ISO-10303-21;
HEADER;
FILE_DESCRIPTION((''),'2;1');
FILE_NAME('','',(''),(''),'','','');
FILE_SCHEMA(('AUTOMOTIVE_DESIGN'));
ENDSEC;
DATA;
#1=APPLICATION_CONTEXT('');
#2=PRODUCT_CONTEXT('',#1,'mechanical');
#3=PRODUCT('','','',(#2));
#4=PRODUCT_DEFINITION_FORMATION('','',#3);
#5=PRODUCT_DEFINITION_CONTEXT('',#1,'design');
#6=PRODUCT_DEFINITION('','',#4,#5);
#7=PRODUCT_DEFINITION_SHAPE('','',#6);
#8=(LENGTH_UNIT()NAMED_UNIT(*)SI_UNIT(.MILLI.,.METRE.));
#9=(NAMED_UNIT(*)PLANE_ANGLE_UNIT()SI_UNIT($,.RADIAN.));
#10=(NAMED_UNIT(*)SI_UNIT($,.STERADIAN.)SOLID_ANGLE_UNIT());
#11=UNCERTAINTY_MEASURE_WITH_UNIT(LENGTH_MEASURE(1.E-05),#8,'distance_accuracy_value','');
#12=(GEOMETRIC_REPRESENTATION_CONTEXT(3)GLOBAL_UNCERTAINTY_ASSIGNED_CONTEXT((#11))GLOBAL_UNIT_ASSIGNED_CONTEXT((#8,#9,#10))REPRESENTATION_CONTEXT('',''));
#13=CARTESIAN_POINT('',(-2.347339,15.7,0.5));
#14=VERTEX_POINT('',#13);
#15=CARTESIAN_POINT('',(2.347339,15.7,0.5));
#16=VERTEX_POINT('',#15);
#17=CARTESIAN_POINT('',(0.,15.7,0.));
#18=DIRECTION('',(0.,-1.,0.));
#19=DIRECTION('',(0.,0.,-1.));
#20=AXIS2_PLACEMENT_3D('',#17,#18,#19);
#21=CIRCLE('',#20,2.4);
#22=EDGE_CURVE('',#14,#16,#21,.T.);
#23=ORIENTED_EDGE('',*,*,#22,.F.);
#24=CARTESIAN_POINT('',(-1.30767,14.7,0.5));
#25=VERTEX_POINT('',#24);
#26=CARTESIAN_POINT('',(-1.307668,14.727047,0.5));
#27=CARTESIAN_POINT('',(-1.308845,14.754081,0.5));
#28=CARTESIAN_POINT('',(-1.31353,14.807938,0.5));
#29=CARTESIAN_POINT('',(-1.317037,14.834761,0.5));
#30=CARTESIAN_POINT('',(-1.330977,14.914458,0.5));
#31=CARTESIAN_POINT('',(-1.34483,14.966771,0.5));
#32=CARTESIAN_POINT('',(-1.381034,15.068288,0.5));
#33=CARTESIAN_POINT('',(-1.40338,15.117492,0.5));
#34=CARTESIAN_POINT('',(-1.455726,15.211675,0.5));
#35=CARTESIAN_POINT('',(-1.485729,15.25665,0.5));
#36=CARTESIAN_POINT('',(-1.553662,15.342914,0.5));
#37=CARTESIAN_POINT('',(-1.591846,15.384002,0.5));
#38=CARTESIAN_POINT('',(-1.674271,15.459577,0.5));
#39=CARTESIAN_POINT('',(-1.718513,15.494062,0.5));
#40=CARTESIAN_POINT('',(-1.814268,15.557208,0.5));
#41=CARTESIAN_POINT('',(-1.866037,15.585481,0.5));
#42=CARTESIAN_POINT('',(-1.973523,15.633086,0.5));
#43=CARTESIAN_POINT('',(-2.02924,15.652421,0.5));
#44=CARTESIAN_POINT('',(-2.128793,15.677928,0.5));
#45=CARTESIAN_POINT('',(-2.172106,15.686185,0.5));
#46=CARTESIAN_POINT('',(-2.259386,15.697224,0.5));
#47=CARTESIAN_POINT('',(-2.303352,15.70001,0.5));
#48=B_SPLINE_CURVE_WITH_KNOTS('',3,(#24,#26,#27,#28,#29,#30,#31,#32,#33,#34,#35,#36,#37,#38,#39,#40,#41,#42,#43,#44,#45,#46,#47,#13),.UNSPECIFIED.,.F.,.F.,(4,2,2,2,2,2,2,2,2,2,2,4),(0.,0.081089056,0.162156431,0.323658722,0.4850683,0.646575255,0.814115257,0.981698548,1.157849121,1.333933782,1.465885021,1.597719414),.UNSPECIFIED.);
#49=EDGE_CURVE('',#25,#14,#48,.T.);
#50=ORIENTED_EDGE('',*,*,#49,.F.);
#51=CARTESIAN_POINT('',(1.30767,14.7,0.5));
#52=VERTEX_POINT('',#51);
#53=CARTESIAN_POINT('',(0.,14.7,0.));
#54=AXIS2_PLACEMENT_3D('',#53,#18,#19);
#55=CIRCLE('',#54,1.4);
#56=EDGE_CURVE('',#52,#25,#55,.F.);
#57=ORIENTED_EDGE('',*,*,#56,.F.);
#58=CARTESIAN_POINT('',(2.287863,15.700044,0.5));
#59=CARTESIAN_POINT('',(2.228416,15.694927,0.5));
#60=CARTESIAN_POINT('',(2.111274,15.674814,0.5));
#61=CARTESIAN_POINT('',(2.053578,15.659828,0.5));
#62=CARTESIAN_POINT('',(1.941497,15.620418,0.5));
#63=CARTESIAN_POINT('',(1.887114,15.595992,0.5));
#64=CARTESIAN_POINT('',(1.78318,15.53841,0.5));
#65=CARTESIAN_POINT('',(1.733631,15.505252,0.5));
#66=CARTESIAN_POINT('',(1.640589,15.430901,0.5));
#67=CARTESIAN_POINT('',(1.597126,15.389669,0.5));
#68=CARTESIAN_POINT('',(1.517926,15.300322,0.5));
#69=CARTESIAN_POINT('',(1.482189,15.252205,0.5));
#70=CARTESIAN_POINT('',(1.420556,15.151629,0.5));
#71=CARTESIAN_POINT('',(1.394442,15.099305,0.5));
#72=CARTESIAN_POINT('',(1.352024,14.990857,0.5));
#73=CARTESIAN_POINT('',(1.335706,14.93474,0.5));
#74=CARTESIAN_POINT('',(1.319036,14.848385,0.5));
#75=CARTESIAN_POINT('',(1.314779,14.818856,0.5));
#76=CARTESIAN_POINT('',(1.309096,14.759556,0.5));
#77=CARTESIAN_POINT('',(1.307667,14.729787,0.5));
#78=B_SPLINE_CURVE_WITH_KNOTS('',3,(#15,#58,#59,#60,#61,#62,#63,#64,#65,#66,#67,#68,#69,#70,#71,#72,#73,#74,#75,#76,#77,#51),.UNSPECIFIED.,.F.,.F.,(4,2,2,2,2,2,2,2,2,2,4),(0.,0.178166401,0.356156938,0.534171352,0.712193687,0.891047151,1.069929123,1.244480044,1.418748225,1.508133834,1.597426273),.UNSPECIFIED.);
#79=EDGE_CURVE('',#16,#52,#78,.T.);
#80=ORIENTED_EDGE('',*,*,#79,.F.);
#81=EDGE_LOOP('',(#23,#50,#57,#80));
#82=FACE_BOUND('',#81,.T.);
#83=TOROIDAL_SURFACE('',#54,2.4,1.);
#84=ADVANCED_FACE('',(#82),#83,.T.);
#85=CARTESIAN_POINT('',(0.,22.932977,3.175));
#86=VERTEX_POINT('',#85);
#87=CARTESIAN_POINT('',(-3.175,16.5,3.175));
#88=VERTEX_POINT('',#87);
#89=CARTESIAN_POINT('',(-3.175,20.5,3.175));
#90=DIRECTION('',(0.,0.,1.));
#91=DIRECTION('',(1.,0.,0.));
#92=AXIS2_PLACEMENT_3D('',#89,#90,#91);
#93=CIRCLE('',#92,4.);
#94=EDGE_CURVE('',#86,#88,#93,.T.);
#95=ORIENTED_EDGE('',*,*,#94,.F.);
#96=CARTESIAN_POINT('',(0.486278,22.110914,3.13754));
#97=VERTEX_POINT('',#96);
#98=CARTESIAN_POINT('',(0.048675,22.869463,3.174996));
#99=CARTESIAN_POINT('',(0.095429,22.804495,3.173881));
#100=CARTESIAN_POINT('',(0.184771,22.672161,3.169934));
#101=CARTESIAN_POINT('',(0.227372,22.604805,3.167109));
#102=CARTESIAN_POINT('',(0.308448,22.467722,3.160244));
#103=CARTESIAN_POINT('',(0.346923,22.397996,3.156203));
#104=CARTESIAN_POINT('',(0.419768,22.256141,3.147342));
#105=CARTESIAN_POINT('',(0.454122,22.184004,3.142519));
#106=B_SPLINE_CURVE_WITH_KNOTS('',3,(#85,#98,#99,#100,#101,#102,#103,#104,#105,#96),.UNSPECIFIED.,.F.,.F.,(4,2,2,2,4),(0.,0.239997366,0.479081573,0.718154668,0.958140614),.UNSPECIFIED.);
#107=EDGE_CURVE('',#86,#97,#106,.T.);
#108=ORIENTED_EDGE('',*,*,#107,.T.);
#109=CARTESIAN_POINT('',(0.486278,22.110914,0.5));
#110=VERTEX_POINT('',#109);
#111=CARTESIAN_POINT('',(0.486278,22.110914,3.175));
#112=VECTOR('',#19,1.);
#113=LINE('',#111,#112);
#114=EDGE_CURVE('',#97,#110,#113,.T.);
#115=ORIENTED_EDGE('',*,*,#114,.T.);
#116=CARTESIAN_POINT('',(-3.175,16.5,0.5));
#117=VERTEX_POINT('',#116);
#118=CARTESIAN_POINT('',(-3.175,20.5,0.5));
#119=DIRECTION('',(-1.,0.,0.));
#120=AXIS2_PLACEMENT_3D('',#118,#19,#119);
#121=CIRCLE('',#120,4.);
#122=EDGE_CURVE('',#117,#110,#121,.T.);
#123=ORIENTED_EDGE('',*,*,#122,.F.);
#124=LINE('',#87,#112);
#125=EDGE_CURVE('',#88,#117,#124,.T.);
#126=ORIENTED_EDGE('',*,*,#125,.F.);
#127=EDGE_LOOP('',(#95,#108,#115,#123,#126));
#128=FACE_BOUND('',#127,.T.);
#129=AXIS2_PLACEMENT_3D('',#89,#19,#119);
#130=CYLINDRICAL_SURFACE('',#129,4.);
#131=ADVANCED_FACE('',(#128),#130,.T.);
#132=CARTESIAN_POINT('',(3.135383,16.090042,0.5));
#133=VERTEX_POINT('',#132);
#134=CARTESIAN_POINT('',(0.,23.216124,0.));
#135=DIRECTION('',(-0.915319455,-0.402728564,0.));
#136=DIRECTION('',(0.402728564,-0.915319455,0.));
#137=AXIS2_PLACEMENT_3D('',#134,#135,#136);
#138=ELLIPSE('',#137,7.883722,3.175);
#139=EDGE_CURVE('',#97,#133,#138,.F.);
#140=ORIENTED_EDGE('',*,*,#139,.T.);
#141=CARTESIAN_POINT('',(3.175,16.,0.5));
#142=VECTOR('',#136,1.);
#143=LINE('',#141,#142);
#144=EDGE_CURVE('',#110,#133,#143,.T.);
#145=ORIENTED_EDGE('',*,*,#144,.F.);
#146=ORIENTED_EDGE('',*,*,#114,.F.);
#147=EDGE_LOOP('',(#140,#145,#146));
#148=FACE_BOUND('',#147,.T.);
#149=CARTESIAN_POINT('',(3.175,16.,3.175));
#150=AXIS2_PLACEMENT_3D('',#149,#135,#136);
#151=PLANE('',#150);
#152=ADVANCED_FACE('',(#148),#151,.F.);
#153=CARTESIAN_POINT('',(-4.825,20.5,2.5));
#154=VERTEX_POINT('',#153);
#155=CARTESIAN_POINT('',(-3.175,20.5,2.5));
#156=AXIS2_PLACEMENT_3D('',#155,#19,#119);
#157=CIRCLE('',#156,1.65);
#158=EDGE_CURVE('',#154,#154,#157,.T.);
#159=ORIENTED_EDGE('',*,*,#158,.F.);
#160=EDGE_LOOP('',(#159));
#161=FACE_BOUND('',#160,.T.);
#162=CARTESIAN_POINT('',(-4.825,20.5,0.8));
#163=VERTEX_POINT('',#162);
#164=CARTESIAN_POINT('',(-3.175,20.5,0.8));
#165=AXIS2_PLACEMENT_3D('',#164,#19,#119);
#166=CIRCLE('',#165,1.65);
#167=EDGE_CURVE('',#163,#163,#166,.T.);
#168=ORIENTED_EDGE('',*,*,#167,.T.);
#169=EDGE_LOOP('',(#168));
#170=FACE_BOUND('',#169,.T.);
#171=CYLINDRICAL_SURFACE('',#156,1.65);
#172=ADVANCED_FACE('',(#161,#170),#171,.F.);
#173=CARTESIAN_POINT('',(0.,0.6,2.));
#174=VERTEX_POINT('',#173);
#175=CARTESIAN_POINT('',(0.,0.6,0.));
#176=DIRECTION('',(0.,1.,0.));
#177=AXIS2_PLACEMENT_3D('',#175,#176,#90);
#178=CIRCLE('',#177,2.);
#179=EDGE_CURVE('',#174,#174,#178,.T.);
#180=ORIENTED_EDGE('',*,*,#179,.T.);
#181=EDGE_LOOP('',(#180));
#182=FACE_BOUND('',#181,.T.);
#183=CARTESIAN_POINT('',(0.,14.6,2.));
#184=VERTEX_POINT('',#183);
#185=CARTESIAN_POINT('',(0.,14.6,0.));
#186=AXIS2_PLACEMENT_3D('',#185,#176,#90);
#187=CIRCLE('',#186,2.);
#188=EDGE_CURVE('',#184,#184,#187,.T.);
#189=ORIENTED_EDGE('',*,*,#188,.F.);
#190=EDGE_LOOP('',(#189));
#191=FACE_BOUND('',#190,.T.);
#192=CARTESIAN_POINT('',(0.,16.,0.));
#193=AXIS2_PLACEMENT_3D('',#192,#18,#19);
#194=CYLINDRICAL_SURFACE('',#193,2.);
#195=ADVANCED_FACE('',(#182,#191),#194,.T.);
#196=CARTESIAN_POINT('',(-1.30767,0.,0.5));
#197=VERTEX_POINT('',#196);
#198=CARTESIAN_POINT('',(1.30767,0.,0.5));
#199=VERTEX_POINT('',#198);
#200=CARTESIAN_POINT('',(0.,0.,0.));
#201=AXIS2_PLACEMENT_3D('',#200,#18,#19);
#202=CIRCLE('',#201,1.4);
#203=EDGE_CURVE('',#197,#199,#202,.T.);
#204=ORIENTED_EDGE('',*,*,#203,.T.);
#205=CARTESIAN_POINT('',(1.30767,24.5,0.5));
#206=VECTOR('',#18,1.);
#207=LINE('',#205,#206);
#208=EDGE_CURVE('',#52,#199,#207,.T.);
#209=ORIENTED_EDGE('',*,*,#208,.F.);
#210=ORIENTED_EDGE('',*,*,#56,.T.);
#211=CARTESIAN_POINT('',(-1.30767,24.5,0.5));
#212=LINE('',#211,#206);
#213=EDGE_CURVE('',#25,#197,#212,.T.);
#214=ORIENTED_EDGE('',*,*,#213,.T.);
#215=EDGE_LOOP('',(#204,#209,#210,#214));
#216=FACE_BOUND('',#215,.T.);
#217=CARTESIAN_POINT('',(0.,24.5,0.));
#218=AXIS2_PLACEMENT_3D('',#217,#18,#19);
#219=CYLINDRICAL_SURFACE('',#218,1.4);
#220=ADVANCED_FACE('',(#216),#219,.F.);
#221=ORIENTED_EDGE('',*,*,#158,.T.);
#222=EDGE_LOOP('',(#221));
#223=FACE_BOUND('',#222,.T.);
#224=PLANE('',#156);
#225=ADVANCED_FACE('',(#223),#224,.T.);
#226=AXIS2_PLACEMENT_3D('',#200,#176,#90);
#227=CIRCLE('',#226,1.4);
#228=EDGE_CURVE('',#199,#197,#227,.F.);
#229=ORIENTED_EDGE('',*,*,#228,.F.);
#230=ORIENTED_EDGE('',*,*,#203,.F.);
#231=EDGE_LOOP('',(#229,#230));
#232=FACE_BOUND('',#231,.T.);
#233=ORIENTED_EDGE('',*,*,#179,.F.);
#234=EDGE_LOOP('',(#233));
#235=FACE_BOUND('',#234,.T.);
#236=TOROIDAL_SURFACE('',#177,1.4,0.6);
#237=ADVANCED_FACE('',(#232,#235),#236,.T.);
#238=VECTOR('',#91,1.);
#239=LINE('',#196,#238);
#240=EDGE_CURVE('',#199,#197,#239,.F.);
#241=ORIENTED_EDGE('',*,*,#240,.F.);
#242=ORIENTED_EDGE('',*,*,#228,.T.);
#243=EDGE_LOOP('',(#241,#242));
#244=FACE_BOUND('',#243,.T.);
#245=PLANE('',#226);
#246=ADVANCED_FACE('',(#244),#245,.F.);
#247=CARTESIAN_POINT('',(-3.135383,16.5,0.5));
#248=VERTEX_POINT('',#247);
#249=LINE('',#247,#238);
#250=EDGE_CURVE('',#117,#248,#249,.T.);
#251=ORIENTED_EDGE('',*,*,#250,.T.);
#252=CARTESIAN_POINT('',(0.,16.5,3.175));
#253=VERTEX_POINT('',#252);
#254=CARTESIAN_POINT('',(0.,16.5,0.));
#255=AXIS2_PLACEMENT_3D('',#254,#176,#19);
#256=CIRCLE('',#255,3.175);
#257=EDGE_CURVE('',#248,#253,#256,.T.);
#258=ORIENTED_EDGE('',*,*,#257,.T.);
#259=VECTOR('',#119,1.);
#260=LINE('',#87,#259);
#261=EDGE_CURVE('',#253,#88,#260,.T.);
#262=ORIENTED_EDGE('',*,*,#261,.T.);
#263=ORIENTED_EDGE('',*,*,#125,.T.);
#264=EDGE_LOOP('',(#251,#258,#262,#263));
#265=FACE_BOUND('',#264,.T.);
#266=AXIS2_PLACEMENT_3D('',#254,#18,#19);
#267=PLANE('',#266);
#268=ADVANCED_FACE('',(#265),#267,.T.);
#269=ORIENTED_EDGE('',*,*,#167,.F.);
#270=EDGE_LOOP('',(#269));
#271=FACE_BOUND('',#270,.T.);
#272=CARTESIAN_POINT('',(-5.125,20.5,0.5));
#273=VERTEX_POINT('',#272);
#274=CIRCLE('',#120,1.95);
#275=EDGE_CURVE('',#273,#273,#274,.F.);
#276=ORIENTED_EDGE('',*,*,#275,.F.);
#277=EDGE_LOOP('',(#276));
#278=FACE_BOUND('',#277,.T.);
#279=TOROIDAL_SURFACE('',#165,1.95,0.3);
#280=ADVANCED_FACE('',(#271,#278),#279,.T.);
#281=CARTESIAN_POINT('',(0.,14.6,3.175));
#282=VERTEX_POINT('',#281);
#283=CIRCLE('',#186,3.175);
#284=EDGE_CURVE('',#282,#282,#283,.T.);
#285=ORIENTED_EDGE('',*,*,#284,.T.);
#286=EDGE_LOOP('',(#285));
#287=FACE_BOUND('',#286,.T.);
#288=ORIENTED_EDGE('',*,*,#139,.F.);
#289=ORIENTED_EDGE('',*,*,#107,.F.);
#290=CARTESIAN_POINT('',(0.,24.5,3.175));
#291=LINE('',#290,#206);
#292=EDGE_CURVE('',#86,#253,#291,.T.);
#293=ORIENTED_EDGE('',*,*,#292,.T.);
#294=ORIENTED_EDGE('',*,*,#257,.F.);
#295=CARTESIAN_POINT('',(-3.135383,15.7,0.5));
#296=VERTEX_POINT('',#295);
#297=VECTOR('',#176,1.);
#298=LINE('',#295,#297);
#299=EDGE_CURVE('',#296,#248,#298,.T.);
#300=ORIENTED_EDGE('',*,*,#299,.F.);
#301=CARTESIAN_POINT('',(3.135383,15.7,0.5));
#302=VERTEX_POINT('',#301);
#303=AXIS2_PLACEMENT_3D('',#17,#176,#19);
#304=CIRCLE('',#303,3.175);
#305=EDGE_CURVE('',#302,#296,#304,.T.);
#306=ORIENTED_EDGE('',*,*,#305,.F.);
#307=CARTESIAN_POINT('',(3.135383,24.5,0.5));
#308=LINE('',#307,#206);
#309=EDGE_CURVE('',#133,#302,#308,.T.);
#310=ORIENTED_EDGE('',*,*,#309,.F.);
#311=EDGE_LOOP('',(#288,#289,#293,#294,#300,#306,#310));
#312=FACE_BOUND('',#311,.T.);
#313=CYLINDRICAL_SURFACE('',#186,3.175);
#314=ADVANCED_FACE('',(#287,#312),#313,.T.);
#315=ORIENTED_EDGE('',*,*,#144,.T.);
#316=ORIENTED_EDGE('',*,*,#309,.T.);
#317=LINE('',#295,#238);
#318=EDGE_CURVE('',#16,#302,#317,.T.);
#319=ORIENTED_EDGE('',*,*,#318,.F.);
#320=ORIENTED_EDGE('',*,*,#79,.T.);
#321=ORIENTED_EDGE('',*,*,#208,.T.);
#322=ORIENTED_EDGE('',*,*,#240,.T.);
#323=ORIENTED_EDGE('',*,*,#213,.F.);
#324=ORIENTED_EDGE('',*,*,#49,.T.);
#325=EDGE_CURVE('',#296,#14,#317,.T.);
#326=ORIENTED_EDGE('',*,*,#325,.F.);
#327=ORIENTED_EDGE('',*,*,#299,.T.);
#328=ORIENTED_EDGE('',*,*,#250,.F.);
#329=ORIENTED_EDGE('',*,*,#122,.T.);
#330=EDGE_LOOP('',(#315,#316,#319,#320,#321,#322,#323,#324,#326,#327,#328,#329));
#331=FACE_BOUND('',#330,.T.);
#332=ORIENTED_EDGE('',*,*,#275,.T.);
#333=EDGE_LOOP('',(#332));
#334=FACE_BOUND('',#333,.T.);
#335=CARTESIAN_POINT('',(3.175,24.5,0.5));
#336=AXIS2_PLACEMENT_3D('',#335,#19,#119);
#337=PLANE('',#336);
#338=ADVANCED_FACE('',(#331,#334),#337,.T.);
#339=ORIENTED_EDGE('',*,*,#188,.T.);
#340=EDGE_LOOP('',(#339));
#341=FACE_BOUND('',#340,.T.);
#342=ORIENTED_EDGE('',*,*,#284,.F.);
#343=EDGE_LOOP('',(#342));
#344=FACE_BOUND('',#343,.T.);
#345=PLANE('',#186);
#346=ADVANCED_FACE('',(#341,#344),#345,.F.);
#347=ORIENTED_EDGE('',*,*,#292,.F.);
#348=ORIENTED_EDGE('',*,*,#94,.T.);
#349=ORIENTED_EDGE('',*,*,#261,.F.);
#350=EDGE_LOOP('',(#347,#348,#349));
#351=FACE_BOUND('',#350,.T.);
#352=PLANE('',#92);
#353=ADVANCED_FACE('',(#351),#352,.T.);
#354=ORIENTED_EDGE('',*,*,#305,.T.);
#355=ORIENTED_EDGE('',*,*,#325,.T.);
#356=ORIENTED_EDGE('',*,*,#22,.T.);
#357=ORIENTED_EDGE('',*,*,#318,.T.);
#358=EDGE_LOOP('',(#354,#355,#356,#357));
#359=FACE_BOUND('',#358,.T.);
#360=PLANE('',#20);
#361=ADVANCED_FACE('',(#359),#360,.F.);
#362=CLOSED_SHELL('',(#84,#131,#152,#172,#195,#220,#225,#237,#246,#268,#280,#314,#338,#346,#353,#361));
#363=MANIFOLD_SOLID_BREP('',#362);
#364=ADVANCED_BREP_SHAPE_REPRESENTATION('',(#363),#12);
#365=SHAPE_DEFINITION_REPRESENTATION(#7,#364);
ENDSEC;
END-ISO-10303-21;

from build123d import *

# Parameters (mm, degrees)
SKETCH_1_R               = 2
EXTRUDE_1_DEPTH          = 16
EXTRUDE_2_DEPTH          = 3.175
SKETCH_4_R               = 1.65
CUT_EXTRUDE_6_DEPTH      = 2.5
SKETCH_5_W               = 10.65
SKETCH_5_H               = 0.5
CUT_EXTRUDE_8_DEPTH      = 9.5
FILLET_3_R               = 0.6
SKETCH_7_R               = 3.175
EXTRUDE_3_DEPTH          = 1.4
FILLET_5_R               = 0.3
CUT_EXTRUDE_9_DEPTH      = 1
CUT_EXTRUDE_9_DEPTH_BACK = 25.5
CUT_EXTRUDE_10_DEPTH     = 9.5
CUT_EXTRUDE_11_DEPTH     = 0.3
FILLET_6_R               = 1
CUT_EXTRUDE_12_DEPTH     = 0.5


with BuildPart() as part:
    # 草图1 → 凸台-拉伸1 (new body)
    with BuildSketch(Plane(origin=(0, 0, 0), x_dir=(1, 0, 0), z_dir=(0, 1, 0))):
        Circle(SKETCH_1_R)
    extrude(amount=EXTRUDE_1_DEPTH)

    # 草图2 → 凸台-拉伸2 (add)
    with BuildSketch(Plane.XY):
        with BuildLine():
            Line((3.175, 16), (0.486277818, 22.110914255))
            ThreePointArc((0.486277818, 22.110914255), (-6.524899776, 22.6859029), (-3.175, 16.5))
            Line((-3.175, 16.5), (-3.175, 16))
            Line((-3.175, 16), (3.175, 16))
        make_face()
    extrude(amount=EXTRUDE_2_DEPTH)

    # 草图4 → 切除-拉伸6 (cut)
    with BuildSketch(Plane(origin=(0, 0, 0), x_dir=(-1, 0, 0), z_dir=(0, 0, -1))):
        with Locations((3.175, 20.5)):
            Circle(SKETCH_4_R)
    extrude(amount=-CUT_EXTRUDE_6_DEPTH, mode=Mode.SUBTRACT)

    # 草图5 → 切除-拉伸8 (cut, through all)
    with BuildSketch(Plane(origin=(0, 16, 0), x_dir=(1, 0, 0), z_dir=(0, 1, 0))):
        with Locations((-2.15, -0.25)):
            Rectangle(SKETCH_5_W, SKETCH_5_H)
    extrude(amount=CUT_EXTRUDE_8_DEPTH, mode=Mode.SUBTRACT)

    # 圆角3
    fillet_3_edges = [part.edges().sort_by_distance(p)[0] for p in [
        (-2, 0, 0),
    ]]
    fillet(fillet_3_edges, radius=FILLET_3_R)

    # 草图7 → 凸台-拉伸3 (add)
    with BuildSketch(Plane(origin=(0, 16, 0), x_dir=(1, 0, 0), z_dir=(0, 1, 0))):
        Circle(SKETCH_7_R)
    extrude(amount=-EXTRUDE_3_DEPTH)

    # 圆角5
    fillet_5_edges = [part.edges().sort_by_distance(p)[0] for p in [
        (-1.525, 20.5, 0.5),
    ]]
    fillet(fillet_5_edges, radius=FILLET_5_R)

    # 草图10 → 切除-拉伸9 (cut, two sides)
    with BuildSketch(Plane.XZ) as cut_extrude_9_sk:
        with BuildLine():
            Line((-1.307669683, 0.5), (1.307669683, 0.5))
            ThreePointArc((1.307669683, 0.5), (0, -1.4), (-1.307669683, 0.5))
        make_face()
    extrude(amount=CUT_EXTRUDE_9_DEPTH, mode=Mode.SUBTRACT)
    extrude(cut_extrude_9_sk.sketch, amount=-CUT_EXTRUDE_9_DEPTH_BACK, mode=Mode.SUBTRACT)

    # 草图11 → 切除-拉伸10 (cut, through all)
    with BuildSketch(Plane.XZ.offset(-16)):
        with BuildLine():
            Line((3.175, 3.175), (0, 3.175))
            ThreePointArc((0, 3.175), (2.060718928, 2.415380405), (3.135382752, 0.5))
            Line((3.135382752, 0.5), (4.008589629, 0.5))
            Line((4.008589629, 0.5), (3.175, 3.175))
        make_face()
    extrude(amount=-CUT_EXTRUDE_10_DEPTH, mode=Mode.SUBTRACT)

    # 草图12 → 切除-拉伸11 (cut)
    with BuildSketch(Plane(origin=(0, 16, 0), x_dir=(1, 0, 0), z_dir=(0, 1, 0))):
        with BuildLine():
            Line((-3.135382752, -0.5), (3.135382752, -0.5))
            ThreePointArc((3.135382752, -0.5), (0, 3.175), (-3.135382752, -0.5))
        make_face()
    extrude(amount=-CUT_EXTRUDE_11_DEPTH, mode=Mode.SUBTRACT)

    # 圆角6
    fillet_6_edges = [part.edges().sort_by_distance(p)[0] for p in [
        (0, 15.7, -1.4),
    ]]
    fillet(fillet_6_edges, radius=FILLET_6_R)

    # 草图13 → 切除-拉伸12 (cut)
    with BuildSketch(Plane.XZ.offset(-16)):
        with BuildLine():
            Line((-3.135382752, 0.5), (-3.175, 0.5))
            Line((-3.175, 0.5), (-3.175, 3.175))
            Line((-3.175, 3.175), (0, 3.175))
            ThreePointArc((0, 3.175), (-2.060718928, 2.415380405), (-3.135382752, 0.5))
        make_face()
    extrude(amount=-CUT_EXTRUDE_12_DEPTH, mode=Mode.SUBTRACT)


solid = part.part
